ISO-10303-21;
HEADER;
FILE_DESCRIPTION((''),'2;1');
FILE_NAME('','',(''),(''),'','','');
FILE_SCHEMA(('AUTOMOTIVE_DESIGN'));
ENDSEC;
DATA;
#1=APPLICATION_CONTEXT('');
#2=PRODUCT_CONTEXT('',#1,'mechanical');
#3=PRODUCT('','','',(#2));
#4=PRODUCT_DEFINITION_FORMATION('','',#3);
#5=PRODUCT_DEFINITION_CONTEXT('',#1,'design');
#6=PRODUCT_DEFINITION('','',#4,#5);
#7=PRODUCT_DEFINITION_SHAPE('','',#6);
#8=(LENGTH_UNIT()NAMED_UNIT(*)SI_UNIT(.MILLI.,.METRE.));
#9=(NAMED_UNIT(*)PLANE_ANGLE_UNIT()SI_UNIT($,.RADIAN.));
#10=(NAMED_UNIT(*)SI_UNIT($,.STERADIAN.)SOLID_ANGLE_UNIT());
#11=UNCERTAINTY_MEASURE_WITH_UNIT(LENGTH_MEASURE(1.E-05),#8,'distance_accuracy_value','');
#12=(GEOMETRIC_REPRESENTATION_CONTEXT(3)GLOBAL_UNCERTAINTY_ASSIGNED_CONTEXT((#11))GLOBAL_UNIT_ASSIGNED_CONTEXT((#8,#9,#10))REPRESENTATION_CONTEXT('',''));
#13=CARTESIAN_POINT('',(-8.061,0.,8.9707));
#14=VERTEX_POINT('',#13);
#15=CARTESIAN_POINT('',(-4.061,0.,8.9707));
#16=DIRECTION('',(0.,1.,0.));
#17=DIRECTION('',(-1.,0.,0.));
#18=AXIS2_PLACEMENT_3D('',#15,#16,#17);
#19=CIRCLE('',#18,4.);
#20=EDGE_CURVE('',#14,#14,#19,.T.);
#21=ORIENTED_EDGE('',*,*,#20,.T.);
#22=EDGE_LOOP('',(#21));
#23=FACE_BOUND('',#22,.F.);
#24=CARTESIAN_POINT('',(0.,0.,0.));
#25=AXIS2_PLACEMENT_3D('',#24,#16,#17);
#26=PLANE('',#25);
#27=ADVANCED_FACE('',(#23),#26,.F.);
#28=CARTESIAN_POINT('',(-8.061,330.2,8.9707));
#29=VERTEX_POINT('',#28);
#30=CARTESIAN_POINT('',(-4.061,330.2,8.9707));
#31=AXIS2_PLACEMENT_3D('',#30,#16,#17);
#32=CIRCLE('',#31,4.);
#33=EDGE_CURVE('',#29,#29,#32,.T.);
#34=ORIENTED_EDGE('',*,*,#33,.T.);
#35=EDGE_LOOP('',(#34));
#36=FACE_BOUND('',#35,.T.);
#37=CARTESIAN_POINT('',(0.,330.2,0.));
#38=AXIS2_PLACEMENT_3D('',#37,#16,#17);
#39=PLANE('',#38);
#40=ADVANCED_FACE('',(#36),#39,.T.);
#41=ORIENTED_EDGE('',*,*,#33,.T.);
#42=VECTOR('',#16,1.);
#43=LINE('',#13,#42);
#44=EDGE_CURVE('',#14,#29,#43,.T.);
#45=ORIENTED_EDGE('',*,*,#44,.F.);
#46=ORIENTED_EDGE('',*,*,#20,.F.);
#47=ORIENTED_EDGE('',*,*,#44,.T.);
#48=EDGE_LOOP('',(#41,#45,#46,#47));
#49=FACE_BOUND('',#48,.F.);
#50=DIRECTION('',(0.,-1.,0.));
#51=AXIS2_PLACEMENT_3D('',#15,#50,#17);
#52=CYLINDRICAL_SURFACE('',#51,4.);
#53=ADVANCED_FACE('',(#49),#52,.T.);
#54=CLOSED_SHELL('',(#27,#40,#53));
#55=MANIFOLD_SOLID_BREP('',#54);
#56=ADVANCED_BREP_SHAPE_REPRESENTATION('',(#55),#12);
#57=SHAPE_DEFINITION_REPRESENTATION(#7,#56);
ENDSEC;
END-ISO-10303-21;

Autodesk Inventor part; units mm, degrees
ref_plane "YZ Plane" through (0, 0, 0) normal (1, 0, 0) x (0, 1, 0)
ref_plane "XZ Plane" through (0, 0, 0) normal (0, 1, 0) x (-1, 0, 0)
ref_plane "XY Plane" through (0, 0, 0) normal (0, 0, 1) x (1, 0, 0)
sketch "Sketch1" plane through (0, 0, 0) normal (0, 1, 0) x (-1, 0, 0)
  circle A0 centre (4.061, 8.9707) radius 4
  point P0 (0, 0)
  dimension "d0" = 8
extrude "Extrusion1" add sketch "Sketch1" along normal blind 330.2
properties part number "rod"
